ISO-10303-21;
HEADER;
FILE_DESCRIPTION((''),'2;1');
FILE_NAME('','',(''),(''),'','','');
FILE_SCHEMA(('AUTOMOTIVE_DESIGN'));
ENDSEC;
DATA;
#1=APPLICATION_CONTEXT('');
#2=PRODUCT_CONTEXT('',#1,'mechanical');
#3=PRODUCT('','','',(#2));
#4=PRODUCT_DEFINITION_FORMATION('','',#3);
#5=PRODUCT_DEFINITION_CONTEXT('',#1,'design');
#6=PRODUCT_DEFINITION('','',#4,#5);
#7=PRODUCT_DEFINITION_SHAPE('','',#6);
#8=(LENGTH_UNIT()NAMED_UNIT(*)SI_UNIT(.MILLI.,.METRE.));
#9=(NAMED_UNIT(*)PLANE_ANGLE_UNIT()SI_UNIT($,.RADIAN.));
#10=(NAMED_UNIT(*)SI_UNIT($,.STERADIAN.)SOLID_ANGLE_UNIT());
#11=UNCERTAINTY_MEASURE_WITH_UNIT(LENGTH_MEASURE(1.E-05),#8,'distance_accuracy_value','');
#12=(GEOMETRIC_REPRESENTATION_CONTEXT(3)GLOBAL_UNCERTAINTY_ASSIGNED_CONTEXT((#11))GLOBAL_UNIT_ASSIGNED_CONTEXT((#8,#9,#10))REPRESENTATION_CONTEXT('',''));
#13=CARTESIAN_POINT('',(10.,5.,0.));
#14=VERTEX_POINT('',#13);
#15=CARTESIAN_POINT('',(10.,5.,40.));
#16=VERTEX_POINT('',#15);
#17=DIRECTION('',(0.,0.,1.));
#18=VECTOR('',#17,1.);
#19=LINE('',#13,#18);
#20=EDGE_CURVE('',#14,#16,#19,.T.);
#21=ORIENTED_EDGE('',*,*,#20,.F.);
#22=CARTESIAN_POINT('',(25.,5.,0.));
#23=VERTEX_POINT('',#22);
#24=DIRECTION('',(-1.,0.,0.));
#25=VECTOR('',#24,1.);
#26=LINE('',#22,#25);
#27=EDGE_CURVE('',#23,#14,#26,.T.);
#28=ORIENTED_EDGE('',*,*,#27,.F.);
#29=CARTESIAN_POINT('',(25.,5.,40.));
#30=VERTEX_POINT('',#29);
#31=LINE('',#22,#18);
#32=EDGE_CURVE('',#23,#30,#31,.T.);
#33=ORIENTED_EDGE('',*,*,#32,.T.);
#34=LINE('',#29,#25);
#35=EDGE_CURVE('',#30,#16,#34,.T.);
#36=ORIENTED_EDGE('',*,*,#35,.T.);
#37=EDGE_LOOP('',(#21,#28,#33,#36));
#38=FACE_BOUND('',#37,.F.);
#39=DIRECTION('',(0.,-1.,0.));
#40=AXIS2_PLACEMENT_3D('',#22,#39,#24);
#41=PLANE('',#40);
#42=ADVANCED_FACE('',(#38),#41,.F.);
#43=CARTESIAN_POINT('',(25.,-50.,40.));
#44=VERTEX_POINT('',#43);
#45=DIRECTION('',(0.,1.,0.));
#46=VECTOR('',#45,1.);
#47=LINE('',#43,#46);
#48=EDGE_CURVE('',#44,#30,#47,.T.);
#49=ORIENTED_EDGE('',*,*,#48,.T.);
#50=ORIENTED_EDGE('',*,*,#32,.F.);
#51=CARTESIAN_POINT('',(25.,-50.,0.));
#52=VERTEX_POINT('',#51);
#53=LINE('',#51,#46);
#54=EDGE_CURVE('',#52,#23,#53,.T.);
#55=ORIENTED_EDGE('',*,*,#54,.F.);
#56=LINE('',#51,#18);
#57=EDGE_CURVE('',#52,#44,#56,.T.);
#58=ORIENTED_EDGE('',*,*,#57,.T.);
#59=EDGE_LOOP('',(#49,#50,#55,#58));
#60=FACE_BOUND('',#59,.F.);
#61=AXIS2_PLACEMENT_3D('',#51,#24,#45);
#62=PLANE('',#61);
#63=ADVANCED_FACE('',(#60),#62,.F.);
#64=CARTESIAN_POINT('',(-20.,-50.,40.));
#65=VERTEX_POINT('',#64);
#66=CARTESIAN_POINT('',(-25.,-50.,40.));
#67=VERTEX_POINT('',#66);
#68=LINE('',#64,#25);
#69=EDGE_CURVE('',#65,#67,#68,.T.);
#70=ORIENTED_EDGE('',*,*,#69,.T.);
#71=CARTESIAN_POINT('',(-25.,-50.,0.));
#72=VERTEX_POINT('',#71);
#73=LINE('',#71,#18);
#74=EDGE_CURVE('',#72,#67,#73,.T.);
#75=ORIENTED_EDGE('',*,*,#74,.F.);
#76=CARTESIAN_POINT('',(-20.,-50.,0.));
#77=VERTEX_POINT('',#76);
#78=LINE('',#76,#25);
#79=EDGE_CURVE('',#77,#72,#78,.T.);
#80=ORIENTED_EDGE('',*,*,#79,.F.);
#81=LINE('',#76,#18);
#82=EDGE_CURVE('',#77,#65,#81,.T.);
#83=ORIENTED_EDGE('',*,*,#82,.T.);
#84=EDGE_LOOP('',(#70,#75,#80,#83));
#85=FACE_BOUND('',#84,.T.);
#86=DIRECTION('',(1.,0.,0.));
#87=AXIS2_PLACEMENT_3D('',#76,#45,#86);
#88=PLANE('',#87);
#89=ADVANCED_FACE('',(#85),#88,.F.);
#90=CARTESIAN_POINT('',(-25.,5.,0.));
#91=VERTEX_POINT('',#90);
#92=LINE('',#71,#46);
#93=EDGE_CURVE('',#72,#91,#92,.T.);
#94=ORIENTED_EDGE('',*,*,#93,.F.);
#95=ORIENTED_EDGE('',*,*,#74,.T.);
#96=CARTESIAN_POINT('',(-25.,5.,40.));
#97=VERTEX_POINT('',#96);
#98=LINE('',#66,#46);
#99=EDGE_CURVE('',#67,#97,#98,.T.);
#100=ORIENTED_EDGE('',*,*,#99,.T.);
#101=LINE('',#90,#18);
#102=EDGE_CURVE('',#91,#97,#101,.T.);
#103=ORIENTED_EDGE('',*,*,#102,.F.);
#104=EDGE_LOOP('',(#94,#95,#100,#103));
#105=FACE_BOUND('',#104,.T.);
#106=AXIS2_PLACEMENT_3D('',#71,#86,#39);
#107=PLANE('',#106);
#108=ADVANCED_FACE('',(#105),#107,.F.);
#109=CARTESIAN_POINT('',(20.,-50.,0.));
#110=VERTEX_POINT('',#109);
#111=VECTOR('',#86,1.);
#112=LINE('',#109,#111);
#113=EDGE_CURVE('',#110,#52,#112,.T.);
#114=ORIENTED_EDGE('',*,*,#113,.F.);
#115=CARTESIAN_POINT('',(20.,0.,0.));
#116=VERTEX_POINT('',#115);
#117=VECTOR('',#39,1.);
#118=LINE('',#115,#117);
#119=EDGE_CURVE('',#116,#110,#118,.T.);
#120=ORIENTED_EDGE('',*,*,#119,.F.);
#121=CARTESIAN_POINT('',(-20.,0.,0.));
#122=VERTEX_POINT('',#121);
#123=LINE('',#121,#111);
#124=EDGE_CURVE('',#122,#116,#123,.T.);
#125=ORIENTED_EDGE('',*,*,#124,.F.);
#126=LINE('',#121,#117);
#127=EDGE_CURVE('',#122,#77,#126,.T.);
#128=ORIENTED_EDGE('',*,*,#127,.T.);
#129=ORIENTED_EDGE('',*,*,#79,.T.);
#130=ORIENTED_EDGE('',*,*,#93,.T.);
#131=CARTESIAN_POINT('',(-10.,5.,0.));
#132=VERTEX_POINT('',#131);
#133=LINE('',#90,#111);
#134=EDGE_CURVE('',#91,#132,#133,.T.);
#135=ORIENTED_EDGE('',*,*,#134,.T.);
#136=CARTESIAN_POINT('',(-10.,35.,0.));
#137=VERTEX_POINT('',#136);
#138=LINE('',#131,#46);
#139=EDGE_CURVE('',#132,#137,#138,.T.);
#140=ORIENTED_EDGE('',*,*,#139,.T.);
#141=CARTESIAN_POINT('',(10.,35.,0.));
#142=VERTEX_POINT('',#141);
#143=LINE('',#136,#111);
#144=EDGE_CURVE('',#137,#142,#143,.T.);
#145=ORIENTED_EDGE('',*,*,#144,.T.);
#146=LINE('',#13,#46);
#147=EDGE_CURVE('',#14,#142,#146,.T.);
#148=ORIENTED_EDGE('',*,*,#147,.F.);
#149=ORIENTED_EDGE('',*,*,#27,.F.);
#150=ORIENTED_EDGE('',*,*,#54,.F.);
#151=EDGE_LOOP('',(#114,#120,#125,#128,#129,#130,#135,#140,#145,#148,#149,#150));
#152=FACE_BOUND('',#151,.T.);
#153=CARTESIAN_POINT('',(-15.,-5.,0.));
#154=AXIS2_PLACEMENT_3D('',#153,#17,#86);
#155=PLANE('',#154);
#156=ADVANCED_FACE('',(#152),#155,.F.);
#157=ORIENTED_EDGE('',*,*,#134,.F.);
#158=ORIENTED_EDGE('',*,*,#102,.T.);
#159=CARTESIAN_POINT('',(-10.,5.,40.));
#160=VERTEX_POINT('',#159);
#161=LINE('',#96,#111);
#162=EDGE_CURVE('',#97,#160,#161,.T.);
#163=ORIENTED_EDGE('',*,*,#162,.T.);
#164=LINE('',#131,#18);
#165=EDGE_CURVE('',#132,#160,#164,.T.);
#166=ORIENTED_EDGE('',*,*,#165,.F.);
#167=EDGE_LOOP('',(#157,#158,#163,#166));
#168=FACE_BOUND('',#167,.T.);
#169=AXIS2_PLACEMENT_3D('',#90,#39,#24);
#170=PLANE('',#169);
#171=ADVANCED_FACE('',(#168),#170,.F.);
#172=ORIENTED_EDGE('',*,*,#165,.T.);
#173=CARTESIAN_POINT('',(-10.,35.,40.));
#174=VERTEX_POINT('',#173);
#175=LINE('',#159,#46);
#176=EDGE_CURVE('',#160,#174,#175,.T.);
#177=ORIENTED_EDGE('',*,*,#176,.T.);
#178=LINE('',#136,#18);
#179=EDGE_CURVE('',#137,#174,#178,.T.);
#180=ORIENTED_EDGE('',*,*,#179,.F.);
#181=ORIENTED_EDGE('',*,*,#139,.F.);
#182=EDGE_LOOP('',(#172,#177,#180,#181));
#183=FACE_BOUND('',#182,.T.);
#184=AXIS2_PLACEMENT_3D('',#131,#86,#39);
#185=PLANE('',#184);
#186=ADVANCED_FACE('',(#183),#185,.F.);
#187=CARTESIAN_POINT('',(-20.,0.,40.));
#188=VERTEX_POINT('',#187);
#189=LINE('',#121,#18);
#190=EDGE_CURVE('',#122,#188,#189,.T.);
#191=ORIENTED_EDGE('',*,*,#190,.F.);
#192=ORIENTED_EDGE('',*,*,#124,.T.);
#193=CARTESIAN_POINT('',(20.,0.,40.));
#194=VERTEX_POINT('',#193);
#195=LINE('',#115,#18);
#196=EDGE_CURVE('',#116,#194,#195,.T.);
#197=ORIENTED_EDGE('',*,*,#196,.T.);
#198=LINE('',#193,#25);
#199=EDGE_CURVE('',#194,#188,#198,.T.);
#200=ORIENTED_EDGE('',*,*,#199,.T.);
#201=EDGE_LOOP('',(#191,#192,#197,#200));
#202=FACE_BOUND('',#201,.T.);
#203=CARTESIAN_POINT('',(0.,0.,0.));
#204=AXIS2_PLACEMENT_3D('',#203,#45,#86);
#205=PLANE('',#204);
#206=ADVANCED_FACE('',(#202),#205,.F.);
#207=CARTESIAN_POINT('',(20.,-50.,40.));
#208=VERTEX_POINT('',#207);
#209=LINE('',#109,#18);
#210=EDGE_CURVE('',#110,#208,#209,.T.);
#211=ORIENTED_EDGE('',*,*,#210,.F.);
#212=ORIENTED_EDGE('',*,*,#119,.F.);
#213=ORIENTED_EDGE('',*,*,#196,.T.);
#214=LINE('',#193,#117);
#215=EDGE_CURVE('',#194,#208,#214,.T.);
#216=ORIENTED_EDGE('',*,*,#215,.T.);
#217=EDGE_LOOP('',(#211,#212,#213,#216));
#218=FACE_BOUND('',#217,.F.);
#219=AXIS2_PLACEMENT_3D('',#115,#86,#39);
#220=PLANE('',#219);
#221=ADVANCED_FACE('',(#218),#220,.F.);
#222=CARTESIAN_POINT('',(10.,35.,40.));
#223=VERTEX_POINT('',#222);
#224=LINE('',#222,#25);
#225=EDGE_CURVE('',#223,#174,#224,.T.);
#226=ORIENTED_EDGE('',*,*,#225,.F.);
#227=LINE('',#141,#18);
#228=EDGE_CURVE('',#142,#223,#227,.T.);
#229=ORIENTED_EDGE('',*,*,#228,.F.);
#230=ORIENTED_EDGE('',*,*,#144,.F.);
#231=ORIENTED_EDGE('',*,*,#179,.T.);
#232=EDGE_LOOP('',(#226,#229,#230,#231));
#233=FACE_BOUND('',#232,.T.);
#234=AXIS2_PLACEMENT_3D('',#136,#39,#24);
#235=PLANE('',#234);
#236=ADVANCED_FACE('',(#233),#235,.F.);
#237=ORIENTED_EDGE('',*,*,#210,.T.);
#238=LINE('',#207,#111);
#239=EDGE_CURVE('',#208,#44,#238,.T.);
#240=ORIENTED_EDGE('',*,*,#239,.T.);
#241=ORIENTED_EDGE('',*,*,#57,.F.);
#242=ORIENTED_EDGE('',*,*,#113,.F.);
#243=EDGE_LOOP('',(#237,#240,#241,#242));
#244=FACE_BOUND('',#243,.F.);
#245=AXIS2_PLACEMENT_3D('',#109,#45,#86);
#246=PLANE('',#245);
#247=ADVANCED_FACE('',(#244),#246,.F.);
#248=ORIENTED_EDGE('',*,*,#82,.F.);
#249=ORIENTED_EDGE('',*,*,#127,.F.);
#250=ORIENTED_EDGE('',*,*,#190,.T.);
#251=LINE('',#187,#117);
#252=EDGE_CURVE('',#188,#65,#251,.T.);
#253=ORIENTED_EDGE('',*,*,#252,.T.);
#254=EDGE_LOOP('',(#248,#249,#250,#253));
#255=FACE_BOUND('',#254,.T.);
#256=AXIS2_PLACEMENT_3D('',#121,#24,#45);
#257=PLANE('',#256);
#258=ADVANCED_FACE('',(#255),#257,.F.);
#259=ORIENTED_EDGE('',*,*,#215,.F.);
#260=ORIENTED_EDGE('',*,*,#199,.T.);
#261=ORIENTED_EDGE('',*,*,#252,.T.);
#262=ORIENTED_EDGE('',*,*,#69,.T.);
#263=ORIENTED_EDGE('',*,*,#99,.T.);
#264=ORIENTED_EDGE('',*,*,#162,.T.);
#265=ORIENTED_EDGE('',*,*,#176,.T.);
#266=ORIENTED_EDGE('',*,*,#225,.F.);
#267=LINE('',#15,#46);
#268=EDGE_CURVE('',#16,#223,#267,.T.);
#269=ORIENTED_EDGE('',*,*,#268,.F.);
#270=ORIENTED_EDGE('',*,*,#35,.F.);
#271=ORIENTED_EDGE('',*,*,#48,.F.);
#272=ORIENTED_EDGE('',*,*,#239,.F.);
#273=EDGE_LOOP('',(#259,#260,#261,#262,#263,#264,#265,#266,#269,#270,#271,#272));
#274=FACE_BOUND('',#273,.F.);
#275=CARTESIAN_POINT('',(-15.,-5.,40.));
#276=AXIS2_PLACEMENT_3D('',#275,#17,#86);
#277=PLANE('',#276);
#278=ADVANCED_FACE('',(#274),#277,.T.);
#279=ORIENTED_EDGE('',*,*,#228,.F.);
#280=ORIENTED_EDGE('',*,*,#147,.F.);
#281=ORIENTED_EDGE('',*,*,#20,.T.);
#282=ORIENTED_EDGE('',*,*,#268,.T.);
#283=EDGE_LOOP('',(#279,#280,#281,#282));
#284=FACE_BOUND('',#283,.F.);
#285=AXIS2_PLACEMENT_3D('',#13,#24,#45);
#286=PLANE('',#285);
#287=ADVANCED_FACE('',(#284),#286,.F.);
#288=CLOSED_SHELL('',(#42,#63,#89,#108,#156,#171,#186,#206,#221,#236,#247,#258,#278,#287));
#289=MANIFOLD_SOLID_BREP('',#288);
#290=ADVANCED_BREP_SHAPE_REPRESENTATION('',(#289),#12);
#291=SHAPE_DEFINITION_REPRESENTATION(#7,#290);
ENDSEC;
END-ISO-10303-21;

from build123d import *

# Parameters (mm, degrees)
PAD_DEPTH = 40


with BuildPart() as part:
    # Sketch → Pad (new body)
    with BuildSketch(Plane.XY):
        Polygon((0, 0), (20, 0), (20, -50), (25, -50), (25, 5), (10, 5), (10, 35), (0, 35), align=None)
    pad = extrude(amount=PAD_DEPTH)

    # Mirrored: Pad across Sketch V_Axis
    add(pad.mirror(Plane(origin=(0, 0, 0), x_dir=(0, 0, 1), z_dir=(1, 0, 0))))


solid = part.part
